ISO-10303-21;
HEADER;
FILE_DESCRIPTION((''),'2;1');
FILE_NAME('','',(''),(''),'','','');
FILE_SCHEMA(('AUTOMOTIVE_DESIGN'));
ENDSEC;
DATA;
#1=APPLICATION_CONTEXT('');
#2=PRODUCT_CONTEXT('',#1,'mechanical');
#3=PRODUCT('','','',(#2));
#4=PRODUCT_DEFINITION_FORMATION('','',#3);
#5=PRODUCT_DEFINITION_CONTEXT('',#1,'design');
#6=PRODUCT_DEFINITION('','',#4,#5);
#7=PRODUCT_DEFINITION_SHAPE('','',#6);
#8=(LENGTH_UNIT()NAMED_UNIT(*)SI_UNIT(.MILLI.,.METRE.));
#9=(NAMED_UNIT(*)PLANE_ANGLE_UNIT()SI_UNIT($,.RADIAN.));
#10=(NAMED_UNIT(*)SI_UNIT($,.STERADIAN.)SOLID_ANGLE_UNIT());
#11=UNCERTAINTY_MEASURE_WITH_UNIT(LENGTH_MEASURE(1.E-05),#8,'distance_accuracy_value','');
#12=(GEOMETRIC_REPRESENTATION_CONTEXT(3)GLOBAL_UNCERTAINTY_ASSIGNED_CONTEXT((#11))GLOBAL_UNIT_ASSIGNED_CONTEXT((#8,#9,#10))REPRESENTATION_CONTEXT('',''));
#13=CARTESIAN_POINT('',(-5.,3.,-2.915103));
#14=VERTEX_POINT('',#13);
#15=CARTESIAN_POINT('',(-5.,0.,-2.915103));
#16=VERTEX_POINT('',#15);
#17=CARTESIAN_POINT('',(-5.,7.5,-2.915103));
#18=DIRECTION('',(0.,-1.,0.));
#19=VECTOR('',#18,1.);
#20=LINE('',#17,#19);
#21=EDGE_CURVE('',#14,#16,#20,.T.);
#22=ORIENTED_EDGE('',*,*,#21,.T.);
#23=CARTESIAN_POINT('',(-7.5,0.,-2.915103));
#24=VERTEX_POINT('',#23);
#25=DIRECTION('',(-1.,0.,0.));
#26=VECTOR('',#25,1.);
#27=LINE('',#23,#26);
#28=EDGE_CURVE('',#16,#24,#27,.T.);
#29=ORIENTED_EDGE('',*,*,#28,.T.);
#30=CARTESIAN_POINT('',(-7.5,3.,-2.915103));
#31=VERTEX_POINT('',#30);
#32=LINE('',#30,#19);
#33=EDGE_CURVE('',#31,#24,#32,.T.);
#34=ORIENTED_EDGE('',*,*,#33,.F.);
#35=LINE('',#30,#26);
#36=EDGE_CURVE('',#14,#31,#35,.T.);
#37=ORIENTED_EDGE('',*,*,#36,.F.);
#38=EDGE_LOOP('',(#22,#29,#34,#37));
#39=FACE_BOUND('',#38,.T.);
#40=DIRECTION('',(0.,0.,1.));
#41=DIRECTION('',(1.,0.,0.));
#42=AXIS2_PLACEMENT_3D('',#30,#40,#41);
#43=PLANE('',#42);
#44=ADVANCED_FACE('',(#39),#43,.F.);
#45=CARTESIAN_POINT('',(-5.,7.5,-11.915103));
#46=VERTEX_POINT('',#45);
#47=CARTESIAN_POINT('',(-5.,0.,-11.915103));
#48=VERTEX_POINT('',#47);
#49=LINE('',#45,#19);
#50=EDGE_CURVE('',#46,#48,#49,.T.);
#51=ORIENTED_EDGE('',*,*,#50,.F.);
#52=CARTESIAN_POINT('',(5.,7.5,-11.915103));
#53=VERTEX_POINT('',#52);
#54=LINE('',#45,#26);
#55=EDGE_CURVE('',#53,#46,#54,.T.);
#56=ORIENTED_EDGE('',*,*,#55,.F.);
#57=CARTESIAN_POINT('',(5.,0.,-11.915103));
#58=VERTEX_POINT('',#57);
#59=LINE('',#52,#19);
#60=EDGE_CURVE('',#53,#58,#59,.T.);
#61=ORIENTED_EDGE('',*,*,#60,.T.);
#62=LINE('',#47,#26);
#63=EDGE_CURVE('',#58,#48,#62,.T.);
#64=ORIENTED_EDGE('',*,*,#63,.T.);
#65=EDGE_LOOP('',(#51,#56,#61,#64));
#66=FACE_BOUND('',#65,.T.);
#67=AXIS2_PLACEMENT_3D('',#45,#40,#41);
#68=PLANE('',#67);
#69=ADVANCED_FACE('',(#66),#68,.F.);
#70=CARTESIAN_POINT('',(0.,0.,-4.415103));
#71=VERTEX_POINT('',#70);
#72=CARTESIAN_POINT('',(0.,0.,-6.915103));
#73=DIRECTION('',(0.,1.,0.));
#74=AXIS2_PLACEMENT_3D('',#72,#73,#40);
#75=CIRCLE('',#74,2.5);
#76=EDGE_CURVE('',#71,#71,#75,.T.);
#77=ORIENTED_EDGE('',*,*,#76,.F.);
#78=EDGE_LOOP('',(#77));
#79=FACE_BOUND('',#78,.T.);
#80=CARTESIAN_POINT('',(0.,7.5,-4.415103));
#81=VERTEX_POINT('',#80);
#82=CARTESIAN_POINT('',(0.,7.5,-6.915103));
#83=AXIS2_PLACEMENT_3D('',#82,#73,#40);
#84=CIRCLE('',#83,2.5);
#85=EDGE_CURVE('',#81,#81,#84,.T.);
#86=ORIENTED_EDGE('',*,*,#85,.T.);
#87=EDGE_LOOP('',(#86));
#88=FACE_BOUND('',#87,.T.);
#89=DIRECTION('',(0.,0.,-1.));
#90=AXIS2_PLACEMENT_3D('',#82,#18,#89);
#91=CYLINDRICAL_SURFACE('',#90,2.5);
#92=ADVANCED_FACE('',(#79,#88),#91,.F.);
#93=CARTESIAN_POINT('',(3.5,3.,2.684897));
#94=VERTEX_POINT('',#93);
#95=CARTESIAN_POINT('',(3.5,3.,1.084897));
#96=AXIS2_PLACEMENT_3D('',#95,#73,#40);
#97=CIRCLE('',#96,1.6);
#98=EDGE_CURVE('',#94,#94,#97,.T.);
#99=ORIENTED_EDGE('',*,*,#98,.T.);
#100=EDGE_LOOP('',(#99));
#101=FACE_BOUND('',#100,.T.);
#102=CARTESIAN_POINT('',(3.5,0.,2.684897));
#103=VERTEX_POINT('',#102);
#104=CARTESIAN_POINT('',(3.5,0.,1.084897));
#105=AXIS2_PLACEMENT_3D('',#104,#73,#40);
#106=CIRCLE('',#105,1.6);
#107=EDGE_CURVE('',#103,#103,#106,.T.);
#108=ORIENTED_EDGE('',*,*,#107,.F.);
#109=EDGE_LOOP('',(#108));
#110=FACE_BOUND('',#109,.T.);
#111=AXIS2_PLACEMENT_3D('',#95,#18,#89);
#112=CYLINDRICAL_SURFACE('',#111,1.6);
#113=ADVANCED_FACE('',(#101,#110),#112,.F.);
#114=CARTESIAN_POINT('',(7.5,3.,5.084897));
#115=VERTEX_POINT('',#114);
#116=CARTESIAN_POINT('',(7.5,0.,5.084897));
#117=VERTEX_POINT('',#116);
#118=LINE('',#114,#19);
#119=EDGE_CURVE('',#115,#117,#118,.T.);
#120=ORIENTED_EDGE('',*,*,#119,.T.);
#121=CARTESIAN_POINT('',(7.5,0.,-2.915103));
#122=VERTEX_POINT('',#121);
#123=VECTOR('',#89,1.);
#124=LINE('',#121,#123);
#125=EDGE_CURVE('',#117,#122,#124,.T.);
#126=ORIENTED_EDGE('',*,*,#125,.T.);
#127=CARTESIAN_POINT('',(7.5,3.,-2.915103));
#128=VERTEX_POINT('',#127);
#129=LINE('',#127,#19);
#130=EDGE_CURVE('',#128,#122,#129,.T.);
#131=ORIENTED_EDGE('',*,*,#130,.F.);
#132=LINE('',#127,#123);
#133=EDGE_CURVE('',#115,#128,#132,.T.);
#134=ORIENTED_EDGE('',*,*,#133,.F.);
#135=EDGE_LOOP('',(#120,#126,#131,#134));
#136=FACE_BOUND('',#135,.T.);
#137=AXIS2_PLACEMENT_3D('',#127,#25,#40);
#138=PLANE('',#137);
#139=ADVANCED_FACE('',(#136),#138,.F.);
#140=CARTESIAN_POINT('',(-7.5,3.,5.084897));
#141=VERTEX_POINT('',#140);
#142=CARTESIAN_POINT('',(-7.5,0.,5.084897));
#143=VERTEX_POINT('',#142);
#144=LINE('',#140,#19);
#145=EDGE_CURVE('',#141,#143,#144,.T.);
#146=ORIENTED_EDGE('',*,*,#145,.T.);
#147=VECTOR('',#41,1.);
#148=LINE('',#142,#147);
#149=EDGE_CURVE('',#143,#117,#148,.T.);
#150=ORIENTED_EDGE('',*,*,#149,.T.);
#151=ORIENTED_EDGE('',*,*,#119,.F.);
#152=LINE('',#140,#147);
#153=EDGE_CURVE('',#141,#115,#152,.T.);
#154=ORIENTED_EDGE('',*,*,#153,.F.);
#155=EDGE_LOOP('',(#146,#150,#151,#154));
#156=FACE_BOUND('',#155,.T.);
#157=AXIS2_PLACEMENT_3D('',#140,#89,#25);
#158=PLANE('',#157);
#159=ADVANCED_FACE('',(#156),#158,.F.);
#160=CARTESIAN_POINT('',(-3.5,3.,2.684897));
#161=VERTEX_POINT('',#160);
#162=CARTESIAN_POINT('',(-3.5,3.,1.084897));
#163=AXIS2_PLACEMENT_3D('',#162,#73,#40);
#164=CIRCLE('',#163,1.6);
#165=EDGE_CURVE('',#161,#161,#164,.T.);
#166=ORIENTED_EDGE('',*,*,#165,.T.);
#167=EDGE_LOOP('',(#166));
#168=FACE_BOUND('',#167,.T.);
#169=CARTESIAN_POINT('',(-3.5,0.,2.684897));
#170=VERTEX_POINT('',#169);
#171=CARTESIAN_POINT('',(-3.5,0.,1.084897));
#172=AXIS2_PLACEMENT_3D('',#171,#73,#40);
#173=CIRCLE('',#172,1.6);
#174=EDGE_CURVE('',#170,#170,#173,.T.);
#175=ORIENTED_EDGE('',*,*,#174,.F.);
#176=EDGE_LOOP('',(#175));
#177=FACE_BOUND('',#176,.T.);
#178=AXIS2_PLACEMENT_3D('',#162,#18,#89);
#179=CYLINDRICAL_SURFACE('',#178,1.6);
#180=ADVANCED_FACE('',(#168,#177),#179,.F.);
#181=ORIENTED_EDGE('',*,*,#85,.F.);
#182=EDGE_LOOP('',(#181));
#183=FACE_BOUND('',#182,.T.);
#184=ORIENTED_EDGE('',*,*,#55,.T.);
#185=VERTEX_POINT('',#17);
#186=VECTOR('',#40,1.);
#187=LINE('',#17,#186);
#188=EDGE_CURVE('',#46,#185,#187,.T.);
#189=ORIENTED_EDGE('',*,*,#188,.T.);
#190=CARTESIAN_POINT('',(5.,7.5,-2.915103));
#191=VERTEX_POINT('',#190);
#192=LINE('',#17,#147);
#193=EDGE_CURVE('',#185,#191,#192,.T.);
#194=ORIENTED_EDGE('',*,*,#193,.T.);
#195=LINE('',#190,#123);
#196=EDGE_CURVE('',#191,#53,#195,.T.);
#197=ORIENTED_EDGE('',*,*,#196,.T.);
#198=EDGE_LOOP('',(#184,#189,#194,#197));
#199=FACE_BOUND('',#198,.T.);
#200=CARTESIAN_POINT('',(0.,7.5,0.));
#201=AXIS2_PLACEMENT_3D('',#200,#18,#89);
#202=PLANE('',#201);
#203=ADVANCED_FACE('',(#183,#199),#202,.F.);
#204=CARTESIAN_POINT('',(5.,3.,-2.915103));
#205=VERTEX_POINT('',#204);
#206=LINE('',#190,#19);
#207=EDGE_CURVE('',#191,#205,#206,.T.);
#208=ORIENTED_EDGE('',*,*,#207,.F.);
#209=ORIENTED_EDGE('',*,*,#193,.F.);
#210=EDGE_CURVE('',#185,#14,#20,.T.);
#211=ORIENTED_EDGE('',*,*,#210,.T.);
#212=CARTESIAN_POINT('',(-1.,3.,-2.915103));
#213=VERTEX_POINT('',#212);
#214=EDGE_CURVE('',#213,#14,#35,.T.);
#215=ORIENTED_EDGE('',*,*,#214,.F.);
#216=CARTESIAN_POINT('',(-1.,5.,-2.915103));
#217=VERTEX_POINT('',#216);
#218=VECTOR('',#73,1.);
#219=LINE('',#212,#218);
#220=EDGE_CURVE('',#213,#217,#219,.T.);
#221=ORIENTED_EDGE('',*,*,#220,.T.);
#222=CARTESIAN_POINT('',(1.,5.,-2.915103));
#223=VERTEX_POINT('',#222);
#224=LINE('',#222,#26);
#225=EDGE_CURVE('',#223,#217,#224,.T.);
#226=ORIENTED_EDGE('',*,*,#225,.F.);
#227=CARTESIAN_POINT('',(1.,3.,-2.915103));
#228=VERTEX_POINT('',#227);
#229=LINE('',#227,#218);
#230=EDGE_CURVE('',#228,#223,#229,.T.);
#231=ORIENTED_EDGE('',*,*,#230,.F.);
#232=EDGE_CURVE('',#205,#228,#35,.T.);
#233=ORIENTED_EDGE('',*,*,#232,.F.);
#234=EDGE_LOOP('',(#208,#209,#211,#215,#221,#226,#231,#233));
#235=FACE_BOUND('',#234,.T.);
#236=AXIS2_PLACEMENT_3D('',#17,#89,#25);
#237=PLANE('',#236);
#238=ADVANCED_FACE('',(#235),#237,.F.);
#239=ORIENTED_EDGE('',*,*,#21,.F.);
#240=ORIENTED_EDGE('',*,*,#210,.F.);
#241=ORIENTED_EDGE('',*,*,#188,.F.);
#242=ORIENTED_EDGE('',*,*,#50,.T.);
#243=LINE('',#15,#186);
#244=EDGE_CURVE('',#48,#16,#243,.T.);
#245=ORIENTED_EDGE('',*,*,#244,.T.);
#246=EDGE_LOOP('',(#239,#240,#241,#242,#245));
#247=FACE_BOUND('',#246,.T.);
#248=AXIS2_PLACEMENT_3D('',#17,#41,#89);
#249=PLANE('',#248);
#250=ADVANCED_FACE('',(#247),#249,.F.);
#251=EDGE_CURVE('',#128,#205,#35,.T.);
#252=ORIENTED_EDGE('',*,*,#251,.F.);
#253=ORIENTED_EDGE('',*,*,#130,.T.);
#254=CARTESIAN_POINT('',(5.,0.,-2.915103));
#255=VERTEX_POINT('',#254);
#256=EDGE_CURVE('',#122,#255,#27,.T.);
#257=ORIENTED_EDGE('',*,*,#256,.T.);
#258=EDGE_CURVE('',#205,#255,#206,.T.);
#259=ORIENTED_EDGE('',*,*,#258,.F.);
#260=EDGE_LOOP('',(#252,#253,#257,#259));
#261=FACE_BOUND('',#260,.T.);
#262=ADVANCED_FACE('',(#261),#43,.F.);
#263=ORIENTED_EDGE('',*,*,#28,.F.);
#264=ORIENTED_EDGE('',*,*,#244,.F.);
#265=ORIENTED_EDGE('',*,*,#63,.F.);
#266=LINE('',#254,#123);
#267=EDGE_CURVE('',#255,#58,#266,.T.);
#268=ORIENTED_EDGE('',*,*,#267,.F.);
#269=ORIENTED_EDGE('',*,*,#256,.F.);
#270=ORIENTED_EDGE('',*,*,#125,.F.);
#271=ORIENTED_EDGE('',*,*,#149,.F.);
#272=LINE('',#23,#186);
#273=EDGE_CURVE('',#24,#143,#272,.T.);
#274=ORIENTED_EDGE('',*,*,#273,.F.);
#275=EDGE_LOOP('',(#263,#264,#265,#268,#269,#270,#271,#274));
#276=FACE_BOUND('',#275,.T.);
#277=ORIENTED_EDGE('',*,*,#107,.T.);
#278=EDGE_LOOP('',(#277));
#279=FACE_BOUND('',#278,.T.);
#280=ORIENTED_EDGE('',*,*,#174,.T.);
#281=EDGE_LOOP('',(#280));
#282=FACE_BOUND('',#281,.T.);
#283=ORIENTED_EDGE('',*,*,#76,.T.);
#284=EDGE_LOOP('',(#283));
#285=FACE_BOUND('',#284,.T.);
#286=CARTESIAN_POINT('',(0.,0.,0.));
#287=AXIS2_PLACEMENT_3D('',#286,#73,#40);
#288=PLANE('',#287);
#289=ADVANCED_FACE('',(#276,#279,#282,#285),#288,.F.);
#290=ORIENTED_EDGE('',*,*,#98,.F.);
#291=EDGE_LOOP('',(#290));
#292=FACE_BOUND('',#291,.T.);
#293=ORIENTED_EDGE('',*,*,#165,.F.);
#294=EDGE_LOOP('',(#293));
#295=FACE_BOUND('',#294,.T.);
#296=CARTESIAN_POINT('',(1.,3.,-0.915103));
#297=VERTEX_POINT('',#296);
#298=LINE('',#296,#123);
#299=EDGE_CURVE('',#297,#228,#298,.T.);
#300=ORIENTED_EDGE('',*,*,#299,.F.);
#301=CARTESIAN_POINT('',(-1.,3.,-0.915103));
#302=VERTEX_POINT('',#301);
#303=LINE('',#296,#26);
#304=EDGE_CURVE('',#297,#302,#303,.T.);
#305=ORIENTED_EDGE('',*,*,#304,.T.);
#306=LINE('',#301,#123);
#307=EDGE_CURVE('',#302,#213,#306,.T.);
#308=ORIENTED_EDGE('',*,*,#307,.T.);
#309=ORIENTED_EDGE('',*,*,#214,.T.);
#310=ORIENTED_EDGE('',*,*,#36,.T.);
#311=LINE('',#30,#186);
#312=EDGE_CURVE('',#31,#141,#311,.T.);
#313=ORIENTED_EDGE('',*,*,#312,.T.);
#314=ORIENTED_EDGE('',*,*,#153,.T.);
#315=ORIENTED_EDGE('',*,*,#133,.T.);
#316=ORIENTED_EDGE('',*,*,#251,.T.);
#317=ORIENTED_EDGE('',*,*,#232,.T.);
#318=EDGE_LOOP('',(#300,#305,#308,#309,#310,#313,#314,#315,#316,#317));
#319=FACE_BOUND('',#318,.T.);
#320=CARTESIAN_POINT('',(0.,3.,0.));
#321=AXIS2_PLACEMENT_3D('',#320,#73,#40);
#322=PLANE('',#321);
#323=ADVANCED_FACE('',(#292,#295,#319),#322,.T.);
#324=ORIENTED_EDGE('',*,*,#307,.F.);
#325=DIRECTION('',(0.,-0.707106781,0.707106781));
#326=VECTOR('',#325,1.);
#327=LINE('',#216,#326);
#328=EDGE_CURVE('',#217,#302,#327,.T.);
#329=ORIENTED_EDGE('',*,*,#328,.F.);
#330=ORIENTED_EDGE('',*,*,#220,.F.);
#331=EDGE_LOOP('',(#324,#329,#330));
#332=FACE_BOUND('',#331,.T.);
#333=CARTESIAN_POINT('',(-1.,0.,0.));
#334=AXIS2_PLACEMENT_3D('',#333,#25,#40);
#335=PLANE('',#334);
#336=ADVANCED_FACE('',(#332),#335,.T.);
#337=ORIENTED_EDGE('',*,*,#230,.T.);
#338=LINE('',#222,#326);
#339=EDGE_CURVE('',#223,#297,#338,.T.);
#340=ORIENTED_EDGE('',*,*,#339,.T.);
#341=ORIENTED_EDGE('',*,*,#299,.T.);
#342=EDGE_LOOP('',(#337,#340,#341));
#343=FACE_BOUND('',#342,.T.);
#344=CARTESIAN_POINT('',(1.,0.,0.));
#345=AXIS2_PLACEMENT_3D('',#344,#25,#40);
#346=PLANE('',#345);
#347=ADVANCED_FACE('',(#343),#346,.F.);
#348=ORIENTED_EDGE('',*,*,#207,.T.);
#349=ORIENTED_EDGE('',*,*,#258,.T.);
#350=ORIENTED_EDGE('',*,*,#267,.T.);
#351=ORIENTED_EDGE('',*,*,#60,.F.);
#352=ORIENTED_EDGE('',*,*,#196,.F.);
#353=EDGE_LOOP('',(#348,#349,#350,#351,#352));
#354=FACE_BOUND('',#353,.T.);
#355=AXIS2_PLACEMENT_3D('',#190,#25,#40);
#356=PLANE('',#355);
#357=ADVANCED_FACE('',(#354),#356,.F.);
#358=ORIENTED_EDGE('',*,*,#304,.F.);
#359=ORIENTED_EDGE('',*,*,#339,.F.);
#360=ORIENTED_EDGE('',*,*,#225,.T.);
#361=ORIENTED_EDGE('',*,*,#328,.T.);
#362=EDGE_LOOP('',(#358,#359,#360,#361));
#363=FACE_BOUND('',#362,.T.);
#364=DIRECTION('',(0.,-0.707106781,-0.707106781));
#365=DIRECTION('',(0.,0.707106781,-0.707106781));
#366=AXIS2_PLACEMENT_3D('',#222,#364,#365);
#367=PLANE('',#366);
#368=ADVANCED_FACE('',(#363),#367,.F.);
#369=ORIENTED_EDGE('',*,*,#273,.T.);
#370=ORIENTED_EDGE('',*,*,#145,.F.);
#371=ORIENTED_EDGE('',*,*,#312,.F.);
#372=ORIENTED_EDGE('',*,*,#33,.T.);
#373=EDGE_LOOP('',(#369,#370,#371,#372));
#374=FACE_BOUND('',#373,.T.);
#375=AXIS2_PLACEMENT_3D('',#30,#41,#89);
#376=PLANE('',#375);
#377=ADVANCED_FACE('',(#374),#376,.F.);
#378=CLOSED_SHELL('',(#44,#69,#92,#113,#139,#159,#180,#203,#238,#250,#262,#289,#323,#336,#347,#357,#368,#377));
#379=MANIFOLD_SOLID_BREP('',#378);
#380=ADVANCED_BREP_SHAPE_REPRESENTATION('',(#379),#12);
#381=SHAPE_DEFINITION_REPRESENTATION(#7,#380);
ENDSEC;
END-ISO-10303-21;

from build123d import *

# Parameters (mm, degrees)
SKETCH1_W           = 15
SKETCH1_H           = 8
SKETCH1_R           = 1.6
BOSS_EXTRUDE1_DEPTH = 3
SKETCH2_W           = 10
SKETCH2_H           = 9
SKETCH2_R           = 2.5
BOSS_EXTRUDE2_DEPTH = 7.5
BOSS_EXTRUDE3_DEPTH = 1


with BuildPart() as part:
    # Sketch1 → Boss-Extrude1 (new body)
    with BuildSketch(Plane(origin=(0, 0, 0), x_dir=(1, 0, 0), z_dir=(0, 1, 0))):
        with Locations((0, -1.0848967)):
            Rectangle(SKETCH1_W, SKETCH1_H)
        with Locations((-3.5, -1.0848967)):
            Circle(SKETCH1_R, mode=Mode.SUBTRACT)
        with Locations((3.5, -1.0848967)):
            Circle(SKETCH1_R, mode=Mode.SUBTRACT)
    extrude(amount=BOSS_EXTRUDE1_DEPTH)

    # Sketch2 → Boss-Extrude2 (add)
    with BuildSketch(Plane(origin=(0, 0, 0), x_dir=(1, 0, 0), z_dir=(0, 1, 0))):
        with Locations((0, 7.4151033)):
            Rectangle(SKETCH2_W, SKETCH2_H)
        with Locations((0, 6.9151033)):
            Circle(SKETCH2_R, mode=Mode.SUBTRACT)
    extrude(amount=BOSS_EXTRUDE2_DEPTH)

    # Sketch4 → Boss-Extrude3 (add, symmetric)
    with BuildSketch(Plane(origin=(0, 0, 0), x_dir=(0, 0, -1), z_dir=(1, 0, 0))):
        Polygon((2.9151033, 5), (0.9151033, 3), (2.9151033, 3), align=None)
    extrude(amount=BOSS_EXTRUDE3_DEPTH, both=True)


solid = part.part
